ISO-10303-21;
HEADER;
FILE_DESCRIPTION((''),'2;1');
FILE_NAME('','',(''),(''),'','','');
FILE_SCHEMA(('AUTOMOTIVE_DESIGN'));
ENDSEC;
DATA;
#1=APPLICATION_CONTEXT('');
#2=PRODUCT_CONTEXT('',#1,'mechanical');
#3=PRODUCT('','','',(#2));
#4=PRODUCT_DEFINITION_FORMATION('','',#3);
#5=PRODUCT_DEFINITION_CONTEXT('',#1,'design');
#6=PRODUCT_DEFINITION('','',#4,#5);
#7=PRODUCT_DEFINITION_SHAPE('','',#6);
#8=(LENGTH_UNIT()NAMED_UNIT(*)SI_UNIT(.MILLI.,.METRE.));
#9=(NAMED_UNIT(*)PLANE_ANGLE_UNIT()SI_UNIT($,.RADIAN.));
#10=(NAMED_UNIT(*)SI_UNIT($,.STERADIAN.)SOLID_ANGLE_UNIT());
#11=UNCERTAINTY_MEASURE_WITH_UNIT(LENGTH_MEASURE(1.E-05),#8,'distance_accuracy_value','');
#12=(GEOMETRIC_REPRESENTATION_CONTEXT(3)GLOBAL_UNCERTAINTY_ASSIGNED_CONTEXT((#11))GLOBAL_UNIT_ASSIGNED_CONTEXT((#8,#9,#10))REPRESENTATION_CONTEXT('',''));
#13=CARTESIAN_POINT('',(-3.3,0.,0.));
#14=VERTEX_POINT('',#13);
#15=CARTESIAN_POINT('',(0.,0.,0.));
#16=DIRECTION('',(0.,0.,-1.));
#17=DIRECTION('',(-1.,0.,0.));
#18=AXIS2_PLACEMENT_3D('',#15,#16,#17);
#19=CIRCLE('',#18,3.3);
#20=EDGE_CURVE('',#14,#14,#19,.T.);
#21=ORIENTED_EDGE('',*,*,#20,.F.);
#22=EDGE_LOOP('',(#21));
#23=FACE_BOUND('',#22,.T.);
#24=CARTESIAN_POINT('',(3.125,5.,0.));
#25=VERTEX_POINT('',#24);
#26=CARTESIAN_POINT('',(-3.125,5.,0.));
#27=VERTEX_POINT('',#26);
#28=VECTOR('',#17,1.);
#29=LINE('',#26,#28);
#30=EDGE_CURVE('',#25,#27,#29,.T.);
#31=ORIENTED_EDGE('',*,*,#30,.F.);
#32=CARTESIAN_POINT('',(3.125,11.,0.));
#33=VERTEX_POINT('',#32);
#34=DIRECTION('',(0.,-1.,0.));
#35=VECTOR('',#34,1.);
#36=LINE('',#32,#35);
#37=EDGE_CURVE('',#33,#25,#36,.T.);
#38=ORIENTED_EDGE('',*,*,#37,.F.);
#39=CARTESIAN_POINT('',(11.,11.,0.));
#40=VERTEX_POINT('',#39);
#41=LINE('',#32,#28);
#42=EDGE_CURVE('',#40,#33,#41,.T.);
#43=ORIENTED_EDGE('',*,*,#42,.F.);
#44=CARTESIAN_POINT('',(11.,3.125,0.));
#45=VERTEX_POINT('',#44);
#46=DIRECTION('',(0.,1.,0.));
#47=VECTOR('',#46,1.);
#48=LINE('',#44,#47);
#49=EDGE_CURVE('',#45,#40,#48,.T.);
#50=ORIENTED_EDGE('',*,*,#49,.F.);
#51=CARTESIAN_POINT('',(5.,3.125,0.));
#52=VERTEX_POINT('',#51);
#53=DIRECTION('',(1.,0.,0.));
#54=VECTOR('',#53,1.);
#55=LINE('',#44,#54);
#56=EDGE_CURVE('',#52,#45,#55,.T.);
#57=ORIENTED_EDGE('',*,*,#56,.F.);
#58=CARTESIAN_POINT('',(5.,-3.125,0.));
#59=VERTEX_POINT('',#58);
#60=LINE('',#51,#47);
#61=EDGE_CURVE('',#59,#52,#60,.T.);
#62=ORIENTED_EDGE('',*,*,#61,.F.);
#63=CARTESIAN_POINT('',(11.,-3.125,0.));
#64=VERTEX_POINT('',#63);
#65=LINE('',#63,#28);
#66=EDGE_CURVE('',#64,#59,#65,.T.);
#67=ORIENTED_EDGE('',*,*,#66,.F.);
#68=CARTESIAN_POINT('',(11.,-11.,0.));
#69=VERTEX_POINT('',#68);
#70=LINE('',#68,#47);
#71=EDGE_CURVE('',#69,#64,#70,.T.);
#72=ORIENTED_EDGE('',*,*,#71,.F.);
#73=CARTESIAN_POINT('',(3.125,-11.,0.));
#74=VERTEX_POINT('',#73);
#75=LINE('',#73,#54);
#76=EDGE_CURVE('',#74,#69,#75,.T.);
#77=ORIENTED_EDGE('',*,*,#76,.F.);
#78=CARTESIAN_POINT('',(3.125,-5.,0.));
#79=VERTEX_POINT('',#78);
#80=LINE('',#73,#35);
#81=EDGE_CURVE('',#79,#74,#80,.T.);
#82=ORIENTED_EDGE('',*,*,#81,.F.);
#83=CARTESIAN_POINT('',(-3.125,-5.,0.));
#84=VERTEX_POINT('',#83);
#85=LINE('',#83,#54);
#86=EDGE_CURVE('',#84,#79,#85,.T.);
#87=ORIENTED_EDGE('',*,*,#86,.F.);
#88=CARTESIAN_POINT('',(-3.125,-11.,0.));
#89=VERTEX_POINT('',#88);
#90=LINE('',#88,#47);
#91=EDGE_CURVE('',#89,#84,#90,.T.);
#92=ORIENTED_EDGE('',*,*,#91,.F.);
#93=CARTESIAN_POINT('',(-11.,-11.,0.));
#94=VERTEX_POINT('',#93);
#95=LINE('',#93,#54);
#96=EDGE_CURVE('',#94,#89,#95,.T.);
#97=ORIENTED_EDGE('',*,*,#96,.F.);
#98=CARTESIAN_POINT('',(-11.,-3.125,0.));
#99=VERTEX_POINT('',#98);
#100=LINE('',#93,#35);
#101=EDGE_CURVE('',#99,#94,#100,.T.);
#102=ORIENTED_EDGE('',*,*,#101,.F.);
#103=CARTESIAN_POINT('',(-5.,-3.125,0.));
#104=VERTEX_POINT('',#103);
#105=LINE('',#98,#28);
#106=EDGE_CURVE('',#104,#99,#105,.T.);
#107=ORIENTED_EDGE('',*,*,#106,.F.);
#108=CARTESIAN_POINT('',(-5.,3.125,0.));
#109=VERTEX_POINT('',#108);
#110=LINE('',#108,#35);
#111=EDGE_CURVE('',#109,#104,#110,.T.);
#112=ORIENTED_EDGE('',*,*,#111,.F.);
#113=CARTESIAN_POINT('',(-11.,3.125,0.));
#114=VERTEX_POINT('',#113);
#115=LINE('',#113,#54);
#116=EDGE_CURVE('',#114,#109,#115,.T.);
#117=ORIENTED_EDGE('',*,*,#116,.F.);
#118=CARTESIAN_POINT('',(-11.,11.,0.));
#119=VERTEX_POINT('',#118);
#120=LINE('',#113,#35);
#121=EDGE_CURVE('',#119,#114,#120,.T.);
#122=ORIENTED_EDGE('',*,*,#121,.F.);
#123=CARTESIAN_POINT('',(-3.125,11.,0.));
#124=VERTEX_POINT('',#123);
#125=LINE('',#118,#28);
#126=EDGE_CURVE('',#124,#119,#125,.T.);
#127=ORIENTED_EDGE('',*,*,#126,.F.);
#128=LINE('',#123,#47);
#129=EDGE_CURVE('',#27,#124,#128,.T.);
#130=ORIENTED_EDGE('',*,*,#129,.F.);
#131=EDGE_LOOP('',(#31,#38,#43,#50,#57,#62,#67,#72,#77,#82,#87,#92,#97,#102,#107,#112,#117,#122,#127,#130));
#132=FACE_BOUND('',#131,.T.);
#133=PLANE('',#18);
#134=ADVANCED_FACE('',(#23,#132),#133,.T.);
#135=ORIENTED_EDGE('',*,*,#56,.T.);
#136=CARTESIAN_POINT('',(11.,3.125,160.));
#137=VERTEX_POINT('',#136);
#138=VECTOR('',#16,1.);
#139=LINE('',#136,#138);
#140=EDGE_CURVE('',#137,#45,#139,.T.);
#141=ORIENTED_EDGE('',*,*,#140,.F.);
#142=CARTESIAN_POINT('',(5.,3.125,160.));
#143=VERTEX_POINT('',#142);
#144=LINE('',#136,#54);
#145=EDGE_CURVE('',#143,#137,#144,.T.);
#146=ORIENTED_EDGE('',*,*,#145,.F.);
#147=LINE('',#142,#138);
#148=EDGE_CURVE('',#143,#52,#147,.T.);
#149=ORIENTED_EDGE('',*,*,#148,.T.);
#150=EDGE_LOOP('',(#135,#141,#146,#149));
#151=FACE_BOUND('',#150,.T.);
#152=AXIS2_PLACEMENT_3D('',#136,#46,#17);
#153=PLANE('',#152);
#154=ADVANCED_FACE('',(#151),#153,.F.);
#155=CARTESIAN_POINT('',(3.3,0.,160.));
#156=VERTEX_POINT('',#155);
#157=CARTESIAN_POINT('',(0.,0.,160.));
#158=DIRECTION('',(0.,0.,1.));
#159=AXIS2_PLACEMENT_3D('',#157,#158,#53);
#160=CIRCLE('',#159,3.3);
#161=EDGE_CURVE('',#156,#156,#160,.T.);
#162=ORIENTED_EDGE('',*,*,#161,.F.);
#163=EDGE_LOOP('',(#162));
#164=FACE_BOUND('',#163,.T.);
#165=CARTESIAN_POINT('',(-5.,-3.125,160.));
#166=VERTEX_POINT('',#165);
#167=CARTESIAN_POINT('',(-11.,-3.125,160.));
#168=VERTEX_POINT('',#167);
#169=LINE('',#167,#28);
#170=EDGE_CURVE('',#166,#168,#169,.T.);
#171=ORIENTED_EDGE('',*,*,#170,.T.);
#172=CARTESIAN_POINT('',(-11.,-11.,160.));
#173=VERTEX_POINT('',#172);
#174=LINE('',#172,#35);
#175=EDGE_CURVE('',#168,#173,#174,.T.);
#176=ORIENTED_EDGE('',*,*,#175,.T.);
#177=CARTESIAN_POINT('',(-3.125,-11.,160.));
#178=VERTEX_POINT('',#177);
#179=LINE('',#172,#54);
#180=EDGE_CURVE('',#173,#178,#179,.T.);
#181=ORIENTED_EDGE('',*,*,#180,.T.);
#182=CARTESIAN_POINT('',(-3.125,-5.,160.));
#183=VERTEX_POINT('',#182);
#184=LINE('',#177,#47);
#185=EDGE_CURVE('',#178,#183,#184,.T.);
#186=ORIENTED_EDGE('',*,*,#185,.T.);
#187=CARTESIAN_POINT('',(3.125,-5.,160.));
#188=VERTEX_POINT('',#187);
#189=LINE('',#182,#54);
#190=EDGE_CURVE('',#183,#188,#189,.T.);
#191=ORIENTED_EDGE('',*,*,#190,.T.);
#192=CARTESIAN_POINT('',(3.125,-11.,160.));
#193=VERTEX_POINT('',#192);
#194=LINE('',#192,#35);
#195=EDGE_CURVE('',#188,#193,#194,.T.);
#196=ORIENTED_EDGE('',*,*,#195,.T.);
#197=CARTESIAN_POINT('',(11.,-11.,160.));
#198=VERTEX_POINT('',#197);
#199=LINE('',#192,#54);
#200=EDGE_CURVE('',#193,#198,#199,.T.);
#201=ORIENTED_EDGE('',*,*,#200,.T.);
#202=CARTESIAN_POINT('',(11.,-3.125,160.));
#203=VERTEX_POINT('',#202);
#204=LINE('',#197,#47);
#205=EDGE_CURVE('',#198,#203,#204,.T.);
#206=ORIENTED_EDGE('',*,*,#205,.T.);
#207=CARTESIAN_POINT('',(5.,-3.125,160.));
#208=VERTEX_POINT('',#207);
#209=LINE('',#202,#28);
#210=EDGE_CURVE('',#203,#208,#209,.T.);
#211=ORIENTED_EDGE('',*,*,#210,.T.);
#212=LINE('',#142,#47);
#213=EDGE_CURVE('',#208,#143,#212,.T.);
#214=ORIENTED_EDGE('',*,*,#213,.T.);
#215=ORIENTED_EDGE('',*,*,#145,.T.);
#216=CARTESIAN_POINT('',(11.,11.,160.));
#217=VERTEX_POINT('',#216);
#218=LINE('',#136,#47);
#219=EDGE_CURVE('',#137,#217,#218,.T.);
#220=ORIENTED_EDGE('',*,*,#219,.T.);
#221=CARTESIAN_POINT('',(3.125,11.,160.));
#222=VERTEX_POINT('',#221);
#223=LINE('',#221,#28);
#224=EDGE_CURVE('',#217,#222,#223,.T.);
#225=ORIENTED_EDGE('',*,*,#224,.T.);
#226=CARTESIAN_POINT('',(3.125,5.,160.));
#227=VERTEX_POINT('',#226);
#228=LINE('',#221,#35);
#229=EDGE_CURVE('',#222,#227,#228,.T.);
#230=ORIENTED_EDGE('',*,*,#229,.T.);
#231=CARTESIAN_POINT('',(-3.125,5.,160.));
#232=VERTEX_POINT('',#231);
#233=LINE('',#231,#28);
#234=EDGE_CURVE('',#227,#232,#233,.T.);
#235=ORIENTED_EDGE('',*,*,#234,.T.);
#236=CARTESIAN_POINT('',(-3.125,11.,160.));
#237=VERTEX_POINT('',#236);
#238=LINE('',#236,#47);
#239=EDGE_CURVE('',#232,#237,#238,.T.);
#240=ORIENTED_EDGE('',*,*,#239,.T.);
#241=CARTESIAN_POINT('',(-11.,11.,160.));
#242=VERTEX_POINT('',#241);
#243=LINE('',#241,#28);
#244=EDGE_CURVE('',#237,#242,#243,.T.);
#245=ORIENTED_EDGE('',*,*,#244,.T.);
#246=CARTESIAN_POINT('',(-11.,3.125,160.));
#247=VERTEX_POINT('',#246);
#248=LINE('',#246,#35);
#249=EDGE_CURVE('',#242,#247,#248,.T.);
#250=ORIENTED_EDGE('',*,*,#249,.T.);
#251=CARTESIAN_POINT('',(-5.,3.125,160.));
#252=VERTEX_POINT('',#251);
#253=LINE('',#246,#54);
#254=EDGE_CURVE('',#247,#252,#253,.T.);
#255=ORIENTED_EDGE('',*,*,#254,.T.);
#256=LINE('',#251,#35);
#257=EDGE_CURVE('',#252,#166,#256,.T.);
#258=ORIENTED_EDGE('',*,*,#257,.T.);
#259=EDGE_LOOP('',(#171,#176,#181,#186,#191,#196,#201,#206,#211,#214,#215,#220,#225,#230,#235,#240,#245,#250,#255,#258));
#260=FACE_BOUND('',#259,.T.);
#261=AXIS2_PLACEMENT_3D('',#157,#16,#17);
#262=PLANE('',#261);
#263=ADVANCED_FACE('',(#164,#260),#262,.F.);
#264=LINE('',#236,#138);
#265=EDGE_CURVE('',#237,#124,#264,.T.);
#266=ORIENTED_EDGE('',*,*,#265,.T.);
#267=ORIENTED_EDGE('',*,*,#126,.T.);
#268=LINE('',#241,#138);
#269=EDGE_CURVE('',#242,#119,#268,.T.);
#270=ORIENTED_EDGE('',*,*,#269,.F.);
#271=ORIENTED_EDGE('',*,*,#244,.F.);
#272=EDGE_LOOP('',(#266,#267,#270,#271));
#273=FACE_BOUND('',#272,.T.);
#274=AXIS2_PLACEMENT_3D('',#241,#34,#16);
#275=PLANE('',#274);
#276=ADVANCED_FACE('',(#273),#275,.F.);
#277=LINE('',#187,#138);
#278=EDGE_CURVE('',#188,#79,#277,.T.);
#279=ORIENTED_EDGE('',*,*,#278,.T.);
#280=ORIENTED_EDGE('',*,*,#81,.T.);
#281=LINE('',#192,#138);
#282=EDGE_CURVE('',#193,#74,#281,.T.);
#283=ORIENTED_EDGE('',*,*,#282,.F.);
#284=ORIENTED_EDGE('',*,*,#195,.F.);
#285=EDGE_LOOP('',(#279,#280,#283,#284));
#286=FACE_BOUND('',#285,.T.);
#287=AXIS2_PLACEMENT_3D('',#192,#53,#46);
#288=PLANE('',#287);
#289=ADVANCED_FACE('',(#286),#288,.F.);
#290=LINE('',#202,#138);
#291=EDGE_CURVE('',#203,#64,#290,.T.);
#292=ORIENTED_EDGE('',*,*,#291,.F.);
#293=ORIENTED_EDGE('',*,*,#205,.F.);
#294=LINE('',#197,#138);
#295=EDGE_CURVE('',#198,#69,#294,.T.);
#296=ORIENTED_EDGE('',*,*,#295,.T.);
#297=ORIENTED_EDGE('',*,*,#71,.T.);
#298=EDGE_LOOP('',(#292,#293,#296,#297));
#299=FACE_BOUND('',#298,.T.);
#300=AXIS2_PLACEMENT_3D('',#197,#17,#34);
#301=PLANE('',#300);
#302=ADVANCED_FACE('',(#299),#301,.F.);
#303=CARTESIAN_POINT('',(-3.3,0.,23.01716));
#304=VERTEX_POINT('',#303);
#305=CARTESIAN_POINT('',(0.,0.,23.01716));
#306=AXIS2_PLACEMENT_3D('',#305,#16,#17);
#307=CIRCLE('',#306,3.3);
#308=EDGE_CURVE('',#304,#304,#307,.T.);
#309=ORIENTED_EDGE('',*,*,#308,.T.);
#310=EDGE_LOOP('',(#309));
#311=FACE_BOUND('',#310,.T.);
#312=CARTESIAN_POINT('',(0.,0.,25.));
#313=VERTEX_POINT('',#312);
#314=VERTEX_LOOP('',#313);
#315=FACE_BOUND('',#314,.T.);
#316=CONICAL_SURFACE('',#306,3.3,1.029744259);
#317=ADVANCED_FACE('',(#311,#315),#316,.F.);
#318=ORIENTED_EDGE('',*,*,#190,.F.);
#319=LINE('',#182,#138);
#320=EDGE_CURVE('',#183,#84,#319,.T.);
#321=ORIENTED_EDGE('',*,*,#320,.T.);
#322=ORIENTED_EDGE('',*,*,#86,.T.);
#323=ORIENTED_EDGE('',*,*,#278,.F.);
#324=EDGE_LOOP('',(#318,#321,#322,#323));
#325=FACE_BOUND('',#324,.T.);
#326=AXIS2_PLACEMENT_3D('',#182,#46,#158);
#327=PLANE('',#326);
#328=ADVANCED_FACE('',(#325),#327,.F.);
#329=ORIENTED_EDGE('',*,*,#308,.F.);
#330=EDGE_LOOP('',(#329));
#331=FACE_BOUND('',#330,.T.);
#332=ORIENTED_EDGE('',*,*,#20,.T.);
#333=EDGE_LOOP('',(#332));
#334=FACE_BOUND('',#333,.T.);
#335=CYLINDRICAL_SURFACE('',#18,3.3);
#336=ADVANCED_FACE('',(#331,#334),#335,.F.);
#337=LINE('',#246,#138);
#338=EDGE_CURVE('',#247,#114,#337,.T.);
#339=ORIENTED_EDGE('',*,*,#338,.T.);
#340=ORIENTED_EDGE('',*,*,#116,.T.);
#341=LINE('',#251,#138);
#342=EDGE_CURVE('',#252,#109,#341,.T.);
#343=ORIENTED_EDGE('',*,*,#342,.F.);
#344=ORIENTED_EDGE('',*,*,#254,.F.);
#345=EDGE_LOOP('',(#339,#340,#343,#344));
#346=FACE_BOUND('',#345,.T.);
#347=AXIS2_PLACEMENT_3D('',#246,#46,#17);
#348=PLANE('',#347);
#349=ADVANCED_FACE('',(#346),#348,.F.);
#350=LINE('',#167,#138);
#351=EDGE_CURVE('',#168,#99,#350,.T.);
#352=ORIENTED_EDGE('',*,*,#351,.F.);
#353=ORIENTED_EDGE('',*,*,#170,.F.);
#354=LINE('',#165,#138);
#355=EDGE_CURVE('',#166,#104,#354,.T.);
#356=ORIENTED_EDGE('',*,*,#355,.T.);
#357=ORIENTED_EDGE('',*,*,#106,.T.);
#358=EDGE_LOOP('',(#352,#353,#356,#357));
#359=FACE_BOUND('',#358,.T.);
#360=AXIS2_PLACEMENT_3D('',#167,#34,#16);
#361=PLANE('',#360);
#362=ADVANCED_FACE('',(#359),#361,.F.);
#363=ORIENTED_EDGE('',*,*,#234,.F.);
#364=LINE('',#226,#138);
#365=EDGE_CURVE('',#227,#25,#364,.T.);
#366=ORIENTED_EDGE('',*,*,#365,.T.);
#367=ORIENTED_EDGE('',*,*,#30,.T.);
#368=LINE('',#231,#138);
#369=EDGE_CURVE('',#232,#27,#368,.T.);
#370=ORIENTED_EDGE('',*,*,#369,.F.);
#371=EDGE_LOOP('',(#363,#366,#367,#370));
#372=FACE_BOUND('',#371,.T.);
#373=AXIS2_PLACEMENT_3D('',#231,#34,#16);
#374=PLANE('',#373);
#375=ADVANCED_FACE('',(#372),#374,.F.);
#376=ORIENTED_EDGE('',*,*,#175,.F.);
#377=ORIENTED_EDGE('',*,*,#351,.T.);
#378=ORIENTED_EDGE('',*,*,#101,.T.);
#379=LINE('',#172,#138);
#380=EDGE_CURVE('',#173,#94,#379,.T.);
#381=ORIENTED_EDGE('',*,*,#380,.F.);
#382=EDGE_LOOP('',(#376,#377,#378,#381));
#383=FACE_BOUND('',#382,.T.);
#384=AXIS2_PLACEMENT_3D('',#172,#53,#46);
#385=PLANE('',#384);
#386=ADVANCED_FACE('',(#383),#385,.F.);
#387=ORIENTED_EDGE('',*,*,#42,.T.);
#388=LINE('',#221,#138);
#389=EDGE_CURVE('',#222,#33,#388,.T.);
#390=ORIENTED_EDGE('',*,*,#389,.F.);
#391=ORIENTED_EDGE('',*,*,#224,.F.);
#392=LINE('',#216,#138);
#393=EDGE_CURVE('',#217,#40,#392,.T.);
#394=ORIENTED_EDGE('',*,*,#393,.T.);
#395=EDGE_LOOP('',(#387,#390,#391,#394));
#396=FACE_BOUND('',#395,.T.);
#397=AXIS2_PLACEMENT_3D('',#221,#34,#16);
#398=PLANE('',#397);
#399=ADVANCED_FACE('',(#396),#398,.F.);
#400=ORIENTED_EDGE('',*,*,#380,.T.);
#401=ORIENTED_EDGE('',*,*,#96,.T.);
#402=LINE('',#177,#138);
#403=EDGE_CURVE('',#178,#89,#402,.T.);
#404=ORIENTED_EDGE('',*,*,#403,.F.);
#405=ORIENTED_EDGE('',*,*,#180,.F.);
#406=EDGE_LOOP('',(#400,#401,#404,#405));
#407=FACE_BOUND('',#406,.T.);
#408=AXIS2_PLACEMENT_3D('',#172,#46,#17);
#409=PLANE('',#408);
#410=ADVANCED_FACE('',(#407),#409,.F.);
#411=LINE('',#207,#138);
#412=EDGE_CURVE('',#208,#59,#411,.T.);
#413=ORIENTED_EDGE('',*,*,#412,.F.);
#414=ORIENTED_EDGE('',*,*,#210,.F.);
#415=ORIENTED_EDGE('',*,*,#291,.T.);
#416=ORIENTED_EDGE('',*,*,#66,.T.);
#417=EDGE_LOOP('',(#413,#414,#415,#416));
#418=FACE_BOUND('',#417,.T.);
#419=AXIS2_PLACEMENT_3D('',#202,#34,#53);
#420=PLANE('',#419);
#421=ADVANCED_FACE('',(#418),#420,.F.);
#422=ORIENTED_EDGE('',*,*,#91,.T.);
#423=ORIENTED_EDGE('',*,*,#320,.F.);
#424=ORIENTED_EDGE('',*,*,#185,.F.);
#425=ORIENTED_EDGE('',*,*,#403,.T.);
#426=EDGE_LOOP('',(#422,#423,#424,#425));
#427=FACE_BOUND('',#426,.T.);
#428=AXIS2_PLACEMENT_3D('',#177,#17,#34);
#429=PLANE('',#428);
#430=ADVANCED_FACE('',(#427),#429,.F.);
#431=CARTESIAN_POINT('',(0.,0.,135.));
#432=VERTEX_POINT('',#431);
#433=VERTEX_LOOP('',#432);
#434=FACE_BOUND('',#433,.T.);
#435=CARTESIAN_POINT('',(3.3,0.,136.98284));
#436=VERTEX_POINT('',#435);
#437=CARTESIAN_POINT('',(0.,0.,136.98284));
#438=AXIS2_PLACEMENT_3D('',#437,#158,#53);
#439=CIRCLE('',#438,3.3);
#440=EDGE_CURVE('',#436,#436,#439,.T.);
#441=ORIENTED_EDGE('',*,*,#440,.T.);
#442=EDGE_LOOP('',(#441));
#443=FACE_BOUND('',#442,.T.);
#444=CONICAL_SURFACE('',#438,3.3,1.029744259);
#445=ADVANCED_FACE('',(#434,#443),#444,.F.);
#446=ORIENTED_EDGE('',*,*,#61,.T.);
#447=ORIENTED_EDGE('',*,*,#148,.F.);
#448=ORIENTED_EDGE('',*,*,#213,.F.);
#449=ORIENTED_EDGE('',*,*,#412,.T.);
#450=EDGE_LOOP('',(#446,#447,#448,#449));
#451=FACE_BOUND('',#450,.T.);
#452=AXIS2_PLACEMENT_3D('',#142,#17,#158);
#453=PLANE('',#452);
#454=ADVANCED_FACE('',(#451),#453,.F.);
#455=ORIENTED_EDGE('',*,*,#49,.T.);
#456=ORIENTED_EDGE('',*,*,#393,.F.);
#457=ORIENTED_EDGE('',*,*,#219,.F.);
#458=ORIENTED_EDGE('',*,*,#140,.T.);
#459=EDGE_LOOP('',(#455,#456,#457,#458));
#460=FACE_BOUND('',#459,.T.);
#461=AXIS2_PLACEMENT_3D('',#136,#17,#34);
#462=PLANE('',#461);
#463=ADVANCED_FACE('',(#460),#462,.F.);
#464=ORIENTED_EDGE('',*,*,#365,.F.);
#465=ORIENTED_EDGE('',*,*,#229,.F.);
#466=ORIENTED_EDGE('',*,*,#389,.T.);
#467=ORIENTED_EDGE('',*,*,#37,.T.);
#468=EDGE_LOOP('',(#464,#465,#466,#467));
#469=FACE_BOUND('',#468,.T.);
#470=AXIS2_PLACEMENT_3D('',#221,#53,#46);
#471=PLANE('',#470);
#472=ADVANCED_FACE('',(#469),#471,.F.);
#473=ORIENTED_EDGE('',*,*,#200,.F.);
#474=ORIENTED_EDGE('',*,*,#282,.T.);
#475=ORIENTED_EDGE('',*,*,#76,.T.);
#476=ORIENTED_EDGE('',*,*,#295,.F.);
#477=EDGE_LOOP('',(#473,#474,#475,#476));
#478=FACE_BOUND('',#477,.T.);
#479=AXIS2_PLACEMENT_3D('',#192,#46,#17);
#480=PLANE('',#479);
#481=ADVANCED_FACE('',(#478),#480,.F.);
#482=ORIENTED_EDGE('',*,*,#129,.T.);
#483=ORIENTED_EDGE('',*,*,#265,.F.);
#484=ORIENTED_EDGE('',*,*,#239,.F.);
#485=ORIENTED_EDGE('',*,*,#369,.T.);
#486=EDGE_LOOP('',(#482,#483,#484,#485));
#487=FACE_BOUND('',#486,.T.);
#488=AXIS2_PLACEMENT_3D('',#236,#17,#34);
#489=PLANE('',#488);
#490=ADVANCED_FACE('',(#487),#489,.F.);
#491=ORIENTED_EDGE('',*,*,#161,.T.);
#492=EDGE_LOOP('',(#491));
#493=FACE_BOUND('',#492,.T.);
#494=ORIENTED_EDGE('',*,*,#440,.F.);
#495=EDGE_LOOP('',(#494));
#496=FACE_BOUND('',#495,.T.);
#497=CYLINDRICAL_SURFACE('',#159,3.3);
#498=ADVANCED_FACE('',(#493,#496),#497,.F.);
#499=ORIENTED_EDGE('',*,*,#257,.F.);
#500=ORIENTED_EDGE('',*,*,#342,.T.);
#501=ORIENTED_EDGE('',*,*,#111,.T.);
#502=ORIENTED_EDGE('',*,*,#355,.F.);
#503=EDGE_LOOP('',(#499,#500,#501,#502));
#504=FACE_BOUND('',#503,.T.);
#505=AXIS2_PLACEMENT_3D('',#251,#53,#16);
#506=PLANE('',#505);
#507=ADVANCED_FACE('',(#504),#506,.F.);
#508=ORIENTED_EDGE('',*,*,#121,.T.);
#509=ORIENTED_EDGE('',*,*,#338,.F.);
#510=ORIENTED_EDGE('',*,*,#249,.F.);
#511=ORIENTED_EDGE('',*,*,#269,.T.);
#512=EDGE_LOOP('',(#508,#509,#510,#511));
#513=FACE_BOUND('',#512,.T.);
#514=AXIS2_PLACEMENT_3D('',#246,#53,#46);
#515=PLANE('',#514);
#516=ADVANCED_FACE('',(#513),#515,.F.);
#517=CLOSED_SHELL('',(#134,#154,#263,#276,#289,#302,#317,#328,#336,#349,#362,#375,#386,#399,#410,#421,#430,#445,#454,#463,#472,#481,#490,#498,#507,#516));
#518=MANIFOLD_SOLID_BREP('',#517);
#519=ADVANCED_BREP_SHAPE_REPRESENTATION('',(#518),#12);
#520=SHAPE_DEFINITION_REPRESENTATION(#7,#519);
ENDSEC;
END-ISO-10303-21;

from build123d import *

# Parameters (mm, degrees)
BOSS_EXTRU_1_DEPTH = 160


with BuildPart() as part:
    # Esquisse1 → Boss.-Extru.1 (new body)
    with BuildSketch(Plane.XY):
        Polygon((3.125, 11), (11, 11), (11, 3.125), (5, 3.125), (5, -3.125), (11, -3.125), (11, -11), (3.125, -11), (3.125, -5), (-3.125, -5), (-3.125, -11), (-11, -11), (-11, -3.125), (-5, -3.125), (-5, 3.125), (-11, 3.125), (-11, 11), (-3.125, 11), (-3.125, 5), (3.125, 5), align=None)
    extrude(amount=BOSS_EXTRU_1_DEPTH)

    # Esquisse3 → Dégagement M61 (revolve, cut)
    with BuildSketch(Plane(origin=(0, 0, 160), x_dir=(0, -1, 0), z_dir=(1, 0, 0))):
        Polygon((0, 0), (0, 25), (3.3, 23.017159957), (3.3, 0), align=None)
    d_gagement_m61 = revolve(axis=Axis((0, 0, 166.35), (0, 0, -1)), mode=Mode.SUBTRACT)

    # Symétrie1: Dégagement M61 across plane
    add(d_gagement_m61.mirror(Plane.XY.offset(80)), mode=Mode.SUBTRACT)


solid = part.part
